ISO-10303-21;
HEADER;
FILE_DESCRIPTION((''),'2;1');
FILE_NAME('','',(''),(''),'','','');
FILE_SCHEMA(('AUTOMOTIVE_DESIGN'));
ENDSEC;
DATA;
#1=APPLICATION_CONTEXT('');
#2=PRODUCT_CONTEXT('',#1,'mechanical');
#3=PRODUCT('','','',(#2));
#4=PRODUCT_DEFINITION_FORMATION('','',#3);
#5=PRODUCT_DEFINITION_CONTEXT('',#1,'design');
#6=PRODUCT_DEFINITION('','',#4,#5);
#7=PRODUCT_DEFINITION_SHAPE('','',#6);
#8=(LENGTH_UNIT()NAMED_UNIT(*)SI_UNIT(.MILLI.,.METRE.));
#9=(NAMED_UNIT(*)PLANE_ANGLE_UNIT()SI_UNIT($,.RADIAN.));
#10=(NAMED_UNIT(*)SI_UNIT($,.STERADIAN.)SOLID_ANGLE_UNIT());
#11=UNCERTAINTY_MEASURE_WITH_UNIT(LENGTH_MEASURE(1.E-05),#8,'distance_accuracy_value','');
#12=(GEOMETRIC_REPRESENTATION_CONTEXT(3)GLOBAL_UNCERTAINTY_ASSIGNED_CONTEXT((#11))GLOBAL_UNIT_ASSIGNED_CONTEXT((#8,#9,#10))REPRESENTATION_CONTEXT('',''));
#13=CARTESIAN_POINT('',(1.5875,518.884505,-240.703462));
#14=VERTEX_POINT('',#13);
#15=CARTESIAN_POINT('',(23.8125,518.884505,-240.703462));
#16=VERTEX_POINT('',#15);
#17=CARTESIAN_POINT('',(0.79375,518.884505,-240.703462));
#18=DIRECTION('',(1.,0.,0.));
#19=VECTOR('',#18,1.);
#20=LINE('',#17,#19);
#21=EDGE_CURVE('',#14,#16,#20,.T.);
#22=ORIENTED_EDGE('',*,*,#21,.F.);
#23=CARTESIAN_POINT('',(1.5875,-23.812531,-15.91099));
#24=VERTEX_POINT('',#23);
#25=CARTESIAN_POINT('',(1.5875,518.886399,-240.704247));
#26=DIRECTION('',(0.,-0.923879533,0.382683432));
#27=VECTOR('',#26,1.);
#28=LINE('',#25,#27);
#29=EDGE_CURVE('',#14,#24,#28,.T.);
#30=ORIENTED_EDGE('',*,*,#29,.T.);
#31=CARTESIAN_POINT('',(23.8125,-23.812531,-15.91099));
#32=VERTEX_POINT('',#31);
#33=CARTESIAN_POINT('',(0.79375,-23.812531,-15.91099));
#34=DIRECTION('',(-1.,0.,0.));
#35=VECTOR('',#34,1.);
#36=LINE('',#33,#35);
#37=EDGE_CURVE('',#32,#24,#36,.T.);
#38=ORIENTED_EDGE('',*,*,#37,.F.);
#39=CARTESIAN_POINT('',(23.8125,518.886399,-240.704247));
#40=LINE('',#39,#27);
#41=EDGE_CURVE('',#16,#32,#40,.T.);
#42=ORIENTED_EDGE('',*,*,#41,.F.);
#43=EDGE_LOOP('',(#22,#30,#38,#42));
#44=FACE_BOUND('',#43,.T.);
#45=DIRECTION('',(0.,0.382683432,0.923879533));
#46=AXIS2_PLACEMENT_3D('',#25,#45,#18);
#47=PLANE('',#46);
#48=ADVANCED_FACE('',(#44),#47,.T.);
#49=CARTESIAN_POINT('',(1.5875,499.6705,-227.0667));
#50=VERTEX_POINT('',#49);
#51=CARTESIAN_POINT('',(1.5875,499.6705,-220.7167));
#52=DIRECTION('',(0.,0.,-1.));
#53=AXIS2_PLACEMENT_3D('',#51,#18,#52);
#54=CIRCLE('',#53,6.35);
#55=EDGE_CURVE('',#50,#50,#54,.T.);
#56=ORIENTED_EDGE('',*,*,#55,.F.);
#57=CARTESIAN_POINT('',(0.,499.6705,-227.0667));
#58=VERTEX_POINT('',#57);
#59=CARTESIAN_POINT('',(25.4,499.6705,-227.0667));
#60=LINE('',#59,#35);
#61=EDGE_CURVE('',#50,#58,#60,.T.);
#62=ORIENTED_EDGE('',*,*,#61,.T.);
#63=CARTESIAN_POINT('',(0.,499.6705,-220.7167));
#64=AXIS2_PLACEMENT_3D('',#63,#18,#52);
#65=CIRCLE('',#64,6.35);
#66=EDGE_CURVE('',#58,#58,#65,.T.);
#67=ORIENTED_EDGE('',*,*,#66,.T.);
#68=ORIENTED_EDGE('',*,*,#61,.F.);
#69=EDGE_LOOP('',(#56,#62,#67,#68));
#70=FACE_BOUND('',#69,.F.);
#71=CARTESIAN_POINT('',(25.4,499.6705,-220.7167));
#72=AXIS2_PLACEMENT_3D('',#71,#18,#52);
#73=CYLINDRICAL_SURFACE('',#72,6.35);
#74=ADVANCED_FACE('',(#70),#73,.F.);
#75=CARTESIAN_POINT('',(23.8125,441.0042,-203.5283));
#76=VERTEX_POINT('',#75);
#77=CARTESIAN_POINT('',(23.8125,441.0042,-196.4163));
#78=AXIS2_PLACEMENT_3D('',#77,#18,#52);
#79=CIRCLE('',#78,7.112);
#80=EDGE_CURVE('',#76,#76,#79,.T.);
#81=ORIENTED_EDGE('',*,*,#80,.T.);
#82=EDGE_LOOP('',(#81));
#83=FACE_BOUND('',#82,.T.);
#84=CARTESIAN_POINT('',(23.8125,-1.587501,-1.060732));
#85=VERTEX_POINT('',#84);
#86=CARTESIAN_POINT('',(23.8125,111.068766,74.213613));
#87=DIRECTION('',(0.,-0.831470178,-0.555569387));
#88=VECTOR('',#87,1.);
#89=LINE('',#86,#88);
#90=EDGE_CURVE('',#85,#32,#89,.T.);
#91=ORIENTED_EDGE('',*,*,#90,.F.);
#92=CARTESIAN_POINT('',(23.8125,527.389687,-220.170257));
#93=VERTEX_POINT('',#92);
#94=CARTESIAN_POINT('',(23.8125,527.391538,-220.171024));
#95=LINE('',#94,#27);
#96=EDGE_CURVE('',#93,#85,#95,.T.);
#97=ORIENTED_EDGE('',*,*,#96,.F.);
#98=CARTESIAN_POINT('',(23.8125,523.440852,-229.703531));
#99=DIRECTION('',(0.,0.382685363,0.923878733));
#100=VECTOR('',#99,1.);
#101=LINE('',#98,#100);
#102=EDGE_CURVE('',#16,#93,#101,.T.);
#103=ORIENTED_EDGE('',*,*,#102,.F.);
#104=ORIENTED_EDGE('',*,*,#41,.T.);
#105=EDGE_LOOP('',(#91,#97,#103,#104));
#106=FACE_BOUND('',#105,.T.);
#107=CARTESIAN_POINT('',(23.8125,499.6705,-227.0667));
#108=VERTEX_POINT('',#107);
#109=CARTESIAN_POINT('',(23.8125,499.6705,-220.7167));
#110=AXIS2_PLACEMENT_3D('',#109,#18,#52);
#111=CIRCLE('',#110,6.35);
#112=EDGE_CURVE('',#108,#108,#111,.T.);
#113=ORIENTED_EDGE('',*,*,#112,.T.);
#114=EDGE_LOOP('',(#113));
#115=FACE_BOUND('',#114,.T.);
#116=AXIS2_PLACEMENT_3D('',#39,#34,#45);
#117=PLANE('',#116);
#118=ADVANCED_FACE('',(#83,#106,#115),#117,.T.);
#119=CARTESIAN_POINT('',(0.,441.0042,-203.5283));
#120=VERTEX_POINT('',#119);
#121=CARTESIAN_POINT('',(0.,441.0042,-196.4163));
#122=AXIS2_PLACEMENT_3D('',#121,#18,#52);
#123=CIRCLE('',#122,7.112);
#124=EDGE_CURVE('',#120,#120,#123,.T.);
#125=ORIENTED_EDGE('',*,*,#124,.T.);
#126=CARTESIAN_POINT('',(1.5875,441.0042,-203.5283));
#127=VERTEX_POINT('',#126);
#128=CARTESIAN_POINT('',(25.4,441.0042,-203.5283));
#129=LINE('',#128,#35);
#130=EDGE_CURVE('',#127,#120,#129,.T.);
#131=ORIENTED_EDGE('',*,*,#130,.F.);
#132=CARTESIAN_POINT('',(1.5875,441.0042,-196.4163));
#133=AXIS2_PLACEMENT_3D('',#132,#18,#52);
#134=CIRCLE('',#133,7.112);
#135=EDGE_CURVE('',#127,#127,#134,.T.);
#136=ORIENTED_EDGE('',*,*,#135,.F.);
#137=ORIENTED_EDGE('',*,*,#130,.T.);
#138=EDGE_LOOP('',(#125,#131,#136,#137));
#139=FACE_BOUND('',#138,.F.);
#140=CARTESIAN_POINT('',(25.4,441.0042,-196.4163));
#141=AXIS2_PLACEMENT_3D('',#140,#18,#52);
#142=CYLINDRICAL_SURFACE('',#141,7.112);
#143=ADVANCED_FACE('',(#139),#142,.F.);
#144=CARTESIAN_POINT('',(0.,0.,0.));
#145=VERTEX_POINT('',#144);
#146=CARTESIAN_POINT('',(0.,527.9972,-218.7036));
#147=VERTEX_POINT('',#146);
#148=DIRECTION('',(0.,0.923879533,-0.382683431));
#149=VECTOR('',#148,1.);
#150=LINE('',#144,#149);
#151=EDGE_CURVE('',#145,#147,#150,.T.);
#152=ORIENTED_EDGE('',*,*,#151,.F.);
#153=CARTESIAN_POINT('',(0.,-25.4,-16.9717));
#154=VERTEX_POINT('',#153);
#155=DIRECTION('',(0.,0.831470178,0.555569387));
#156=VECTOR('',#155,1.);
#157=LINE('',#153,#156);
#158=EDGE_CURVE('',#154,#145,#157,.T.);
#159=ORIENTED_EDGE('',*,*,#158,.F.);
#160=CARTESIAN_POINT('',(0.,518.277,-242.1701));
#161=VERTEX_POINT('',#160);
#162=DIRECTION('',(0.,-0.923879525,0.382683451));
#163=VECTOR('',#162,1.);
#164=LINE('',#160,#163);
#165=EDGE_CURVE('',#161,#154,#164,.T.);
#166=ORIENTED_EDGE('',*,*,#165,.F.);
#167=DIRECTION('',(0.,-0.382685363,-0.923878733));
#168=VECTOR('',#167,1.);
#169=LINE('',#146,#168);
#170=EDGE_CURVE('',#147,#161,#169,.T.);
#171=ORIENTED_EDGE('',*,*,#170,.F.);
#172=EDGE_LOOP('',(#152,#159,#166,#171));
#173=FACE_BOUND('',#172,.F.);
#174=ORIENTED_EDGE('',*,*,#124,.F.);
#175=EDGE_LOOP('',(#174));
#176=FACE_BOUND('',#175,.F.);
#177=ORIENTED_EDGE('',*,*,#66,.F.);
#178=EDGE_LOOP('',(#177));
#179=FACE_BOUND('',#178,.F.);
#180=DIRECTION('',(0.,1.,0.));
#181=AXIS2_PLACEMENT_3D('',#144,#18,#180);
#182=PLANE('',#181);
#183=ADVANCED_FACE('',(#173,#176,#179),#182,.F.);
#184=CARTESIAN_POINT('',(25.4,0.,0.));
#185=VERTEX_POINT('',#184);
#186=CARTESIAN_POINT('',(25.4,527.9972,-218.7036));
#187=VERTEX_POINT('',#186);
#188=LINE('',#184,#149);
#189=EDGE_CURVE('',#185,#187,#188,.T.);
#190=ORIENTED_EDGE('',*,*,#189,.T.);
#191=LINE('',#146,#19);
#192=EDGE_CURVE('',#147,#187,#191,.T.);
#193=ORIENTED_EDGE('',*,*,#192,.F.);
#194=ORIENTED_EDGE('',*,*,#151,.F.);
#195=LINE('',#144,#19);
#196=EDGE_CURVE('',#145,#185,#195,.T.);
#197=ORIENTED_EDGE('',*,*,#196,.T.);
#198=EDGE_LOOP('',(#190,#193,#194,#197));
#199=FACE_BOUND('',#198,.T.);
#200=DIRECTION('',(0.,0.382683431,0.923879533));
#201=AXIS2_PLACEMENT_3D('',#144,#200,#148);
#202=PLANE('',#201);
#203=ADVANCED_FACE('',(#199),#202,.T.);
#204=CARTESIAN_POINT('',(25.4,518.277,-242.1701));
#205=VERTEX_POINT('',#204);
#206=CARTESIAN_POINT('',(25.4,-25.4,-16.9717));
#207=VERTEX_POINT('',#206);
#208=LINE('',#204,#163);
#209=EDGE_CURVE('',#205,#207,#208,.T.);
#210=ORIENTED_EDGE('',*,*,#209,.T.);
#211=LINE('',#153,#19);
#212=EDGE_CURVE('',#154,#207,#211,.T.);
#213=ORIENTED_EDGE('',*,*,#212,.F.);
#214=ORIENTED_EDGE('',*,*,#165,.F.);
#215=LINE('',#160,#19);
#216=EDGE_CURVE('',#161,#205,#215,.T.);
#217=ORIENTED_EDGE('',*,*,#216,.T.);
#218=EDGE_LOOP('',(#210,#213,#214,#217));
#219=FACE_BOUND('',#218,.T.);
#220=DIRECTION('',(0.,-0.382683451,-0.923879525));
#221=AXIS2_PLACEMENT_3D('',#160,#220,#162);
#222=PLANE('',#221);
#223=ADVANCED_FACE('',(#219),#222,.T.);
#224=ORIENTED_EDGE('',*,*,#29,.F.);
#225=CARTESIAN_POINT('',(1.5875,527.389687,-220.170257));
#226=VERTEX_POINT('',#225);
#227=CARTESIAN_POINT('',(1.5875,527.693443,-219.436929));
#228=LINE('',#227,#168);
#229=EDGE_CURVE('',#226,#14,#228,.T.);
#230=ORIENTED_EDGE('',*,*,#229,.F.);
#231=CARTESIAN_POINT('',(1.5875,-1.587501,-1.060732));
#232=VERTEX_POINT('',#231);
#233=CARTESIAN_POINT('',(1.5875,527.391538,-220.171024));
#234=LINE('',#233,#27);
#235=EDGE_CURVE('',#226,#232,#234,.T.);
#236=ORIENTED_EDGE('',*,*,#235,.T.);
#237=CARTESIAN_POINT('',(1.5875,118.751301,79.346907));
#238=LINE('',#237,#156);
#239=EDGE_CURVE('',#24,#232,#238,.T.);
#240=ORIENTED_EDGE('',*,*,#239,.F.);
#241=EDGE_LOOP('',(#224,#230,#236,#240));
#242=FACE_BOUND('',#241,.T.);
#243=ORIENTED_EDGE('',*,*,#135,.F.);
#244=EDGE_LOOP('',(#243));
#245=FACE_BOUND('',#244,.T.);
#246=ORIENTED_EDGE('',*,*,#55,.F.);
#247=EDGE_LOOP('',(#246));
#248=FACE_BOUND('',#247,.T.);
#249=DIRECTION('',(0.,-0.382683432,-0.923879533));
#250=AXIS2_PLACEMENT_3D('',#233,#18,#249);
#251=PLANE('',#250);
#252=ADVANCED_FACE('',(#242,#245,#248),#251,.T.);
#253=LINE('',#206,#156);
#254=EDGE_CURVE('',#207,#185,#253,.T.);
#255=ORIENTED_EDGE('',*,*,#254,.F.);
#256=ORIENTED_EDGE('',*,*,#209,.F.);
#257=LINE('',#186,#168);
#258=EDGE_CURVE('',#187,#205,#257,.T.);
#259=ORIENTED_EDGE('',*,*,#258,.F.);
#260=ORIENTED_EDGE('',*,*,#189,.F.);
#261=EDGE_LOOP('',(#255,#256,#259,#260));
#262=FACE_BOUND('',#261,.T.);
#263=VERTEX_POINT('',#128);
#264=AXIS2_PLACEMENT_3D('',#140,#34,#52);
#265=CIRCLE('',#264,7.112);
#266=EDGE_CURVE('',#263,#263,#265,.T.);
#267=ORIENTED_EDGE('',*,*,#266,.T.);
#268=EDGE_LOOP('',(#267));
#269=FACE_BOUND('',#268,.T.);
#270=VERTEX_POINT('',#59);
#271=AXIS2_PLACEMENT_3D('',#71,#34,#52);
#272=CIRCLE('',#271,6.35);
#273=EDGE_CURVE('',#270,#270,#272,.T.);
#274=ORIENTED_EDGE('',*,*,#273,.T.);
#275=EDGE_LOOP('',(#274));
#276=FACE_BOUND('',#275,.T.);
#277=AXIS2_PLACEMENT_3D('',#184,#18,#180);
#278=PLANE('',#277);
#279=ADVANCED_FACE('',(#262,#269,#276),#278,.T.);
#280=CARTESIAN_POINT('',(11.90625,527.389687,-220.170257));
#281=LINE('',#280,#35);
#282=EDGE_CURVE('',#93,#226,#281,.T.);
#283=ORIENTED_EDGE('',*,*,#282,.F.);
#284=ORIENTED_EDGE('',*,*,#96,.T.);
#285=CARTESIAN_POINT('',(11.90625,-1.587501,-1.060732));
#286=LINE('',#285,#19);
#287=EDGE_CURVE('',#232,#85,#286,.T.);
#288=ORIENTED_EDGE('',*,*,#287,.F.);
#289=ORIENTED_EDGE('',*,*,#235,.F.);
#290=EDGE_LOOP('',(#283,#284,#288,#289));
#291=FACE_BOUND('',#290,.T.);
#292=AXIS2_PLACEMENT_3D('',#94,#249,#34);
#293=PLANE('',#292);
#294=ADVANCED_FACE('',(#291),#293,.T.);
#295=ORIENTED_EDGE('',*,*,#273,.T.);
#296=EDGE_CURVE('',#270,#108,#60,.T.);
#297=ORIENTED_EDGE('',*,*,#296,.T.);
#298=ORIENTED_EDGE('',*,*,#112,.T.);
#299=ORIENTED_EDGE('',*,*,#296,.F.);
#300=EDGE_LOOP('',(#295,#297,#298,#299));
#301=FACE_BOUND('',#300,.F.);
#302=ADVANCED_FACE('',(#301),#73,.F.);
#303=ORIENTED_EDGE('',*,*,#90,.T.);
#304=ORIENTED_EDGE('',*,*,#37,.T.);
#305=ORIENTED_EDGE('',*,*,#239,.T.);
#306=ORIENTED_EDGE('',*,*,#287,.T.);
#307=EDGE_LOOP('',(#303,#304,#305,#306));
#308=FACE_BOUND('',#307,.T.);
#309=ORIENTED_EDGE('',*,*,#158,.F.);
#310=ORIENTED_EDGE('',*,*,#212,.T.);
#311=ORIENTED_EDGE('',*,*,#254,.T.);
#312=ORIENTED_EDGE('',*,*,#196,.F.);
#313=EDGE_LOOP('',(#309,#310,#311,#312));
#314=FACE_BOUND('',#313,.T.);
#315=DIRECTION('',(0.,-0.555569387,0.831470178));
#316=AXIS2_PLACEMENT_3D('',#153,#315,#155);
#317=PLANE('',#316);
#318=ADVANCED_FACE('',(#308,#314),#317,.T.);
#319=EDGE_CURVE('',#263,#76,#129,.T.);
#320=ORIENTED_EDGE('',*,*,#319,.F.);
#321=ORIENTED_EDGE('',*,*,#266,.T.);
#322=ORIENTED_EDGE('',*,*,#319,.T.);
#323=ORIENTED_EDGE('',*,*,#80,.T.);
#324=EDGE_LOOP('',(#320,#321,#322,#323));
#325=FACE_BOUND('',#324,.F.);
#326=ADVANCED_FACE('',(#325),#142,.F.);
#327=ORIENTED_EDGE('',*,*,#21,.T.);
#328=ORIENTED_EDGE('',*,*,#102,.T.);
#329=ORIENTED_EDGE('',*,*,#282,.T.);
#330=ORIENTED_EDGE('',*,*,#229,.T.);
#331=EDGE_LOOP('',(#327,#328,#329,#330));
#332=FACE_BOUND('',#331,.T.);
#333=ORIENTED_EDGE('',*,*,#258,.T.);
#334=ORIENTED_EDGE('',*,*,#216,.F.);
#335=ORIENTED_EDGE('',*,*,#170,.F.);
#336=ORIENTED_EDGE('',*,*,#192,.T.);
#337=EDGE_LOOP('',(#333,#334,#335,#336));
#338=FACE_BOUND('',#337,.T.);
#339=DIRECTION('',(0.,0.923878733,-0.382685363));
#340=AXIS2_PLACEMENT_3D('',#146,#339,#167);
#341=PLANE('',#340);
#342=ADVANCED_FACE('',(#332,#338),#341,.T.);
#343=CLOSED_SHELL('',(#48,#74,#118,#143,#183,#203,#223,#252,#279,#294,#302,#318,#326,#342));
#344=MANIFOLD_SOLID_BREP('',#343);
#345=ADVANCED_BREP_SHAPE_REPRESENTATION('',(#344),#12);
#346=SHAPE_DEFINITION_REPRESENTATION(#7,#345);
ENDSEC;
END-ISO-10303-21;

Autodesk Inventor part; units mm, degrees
ref_plane "YZ Plane" through (0, 0, 0) normal (1, 0, 0) x (0, 1, 0)
ref_plane "XZ Plane" through (0, 0, 0) normal (0, 1, 0) x (-1, 0, 0)
ref_plane "XY Plane" through (0, 0, 0) normal (0, 0, 1) x (1, 0, 0)
sketch "Sketch1" plane through (0, 0, 0) normal (1, 0, 0) x (0, 1, 0)
  line L0 (0, 0) -> (0, 254)
  line L1 (0, 0) -> (254, 0) construction
  line L2 (0, 0) -> (527.9972, -218.7036)
  line L3 (0, 0) -> (571.5, 0) construction
  line L4 (0, 254) -> (-25.4, 254)
  line L5 (0, 254) -> (25.4, 254) construction
  line L6 (527.9972, -218.7036) -> (518.277, -242.1701)
  line L7 (527.9972, -218.7036) -> (553.3972, -218.7036) construction
  line L8 (518.277, -242.1701) -> (-25.4, -16.9717)
  line L9 (-25.4, -16.9717) -> (-25.4, 254)
  line L10 (-25.4, -16.9717) -> (0, 0)
  dimension "d0" = 254
  dimension "d1" = 90
  dimension "d2" = 571.5
  dimension "d3" = 22.5
  dimension "d4" = 25.4
  dimension "d5" = 180
  dimension "d6" = 25.4
  dimension "d7" = 112.5
  dimension "d8" = 90
extrude "Extrusion3" add sketch "Sketch1" along normal blind 25.4 contours L2 L6 L8 L10
sketch "Sketch3" plane through (0, 527.9972, -218.7036) normal (0, 0.9239, -0.3827) x (1, 0, 0)
  line L0 (0, 25.4) -> (1.5875, 25.4)
  line L1 (1.5875, 25.4) -> (1.5875, 23.8125)
  line L2 (1.5875, 23.8125) -> (0, 23.8125)
  line L3 (0, 23.8125) -> (0, 25.4)
  line L4 (25.4, 0) -> (23.8125, 0)
  line L5 (23.8125, 0) -> (23.8125, 1.5875)
  line L6 (23.8125, 1.5875) -> (25.4, 1.5875)
  line L7 (25.4, 1.5875) -> (25.4, 0)
  line L8 (1.5875, 23.8125) -> (23.8125, 23.8125)
  line L9 (23.8125, 23.8125) -> (23.8125, 1.5875)
  line L10 (23.8125, 1.5875) -> (1.5875, 1.5875)
  line L11 (1.5875, 1.5875) -> (1.5875, 23.8125)
  dimension "d19" = 1.5875
  dimension "d20" = 1.5875
  dimension "d21" = 1.5875
  dimension "d22" = 1.5875
extrude "Extrusion4" cut sketch "Sketch3" against normal blind 2540 contours L8 L9 L10 L11
sketch "Sketch4" plane through (25.4, 0, 0) normal (1, 0, 0) x (0, 0, -1)
  line L0 (242.1701, 518.277) -> (218.7036, 527.9972) projected
  line L1 (218.7036, 527.9972) -> (0, 0) projected
  line L2 (230.4369, 523.1371) -> (220.7167, 499.6705)
  line L3 (230.4369, 523.1371) -> (255.8369, 523.1371) construction
  circle A0 centre (220.7167, 499.6705) radius 6.35
  line L4 (220.7167, 499.6705) -> (196.4163, 441.0042)
  circle A1 centre (196.4163, 441.0042) radius 7.112
  dimension "d25" = 25.4
  dimension "d26" = 112.5
  dimension "d27" = 12.7
  dimension "d28" = 63.5
  dimension "d29" = 14.224
extrude "Extrusion5" cut sketch "Sketch4" against normal blind 50.8
properties part number "CatapultArmSquare-Top"
